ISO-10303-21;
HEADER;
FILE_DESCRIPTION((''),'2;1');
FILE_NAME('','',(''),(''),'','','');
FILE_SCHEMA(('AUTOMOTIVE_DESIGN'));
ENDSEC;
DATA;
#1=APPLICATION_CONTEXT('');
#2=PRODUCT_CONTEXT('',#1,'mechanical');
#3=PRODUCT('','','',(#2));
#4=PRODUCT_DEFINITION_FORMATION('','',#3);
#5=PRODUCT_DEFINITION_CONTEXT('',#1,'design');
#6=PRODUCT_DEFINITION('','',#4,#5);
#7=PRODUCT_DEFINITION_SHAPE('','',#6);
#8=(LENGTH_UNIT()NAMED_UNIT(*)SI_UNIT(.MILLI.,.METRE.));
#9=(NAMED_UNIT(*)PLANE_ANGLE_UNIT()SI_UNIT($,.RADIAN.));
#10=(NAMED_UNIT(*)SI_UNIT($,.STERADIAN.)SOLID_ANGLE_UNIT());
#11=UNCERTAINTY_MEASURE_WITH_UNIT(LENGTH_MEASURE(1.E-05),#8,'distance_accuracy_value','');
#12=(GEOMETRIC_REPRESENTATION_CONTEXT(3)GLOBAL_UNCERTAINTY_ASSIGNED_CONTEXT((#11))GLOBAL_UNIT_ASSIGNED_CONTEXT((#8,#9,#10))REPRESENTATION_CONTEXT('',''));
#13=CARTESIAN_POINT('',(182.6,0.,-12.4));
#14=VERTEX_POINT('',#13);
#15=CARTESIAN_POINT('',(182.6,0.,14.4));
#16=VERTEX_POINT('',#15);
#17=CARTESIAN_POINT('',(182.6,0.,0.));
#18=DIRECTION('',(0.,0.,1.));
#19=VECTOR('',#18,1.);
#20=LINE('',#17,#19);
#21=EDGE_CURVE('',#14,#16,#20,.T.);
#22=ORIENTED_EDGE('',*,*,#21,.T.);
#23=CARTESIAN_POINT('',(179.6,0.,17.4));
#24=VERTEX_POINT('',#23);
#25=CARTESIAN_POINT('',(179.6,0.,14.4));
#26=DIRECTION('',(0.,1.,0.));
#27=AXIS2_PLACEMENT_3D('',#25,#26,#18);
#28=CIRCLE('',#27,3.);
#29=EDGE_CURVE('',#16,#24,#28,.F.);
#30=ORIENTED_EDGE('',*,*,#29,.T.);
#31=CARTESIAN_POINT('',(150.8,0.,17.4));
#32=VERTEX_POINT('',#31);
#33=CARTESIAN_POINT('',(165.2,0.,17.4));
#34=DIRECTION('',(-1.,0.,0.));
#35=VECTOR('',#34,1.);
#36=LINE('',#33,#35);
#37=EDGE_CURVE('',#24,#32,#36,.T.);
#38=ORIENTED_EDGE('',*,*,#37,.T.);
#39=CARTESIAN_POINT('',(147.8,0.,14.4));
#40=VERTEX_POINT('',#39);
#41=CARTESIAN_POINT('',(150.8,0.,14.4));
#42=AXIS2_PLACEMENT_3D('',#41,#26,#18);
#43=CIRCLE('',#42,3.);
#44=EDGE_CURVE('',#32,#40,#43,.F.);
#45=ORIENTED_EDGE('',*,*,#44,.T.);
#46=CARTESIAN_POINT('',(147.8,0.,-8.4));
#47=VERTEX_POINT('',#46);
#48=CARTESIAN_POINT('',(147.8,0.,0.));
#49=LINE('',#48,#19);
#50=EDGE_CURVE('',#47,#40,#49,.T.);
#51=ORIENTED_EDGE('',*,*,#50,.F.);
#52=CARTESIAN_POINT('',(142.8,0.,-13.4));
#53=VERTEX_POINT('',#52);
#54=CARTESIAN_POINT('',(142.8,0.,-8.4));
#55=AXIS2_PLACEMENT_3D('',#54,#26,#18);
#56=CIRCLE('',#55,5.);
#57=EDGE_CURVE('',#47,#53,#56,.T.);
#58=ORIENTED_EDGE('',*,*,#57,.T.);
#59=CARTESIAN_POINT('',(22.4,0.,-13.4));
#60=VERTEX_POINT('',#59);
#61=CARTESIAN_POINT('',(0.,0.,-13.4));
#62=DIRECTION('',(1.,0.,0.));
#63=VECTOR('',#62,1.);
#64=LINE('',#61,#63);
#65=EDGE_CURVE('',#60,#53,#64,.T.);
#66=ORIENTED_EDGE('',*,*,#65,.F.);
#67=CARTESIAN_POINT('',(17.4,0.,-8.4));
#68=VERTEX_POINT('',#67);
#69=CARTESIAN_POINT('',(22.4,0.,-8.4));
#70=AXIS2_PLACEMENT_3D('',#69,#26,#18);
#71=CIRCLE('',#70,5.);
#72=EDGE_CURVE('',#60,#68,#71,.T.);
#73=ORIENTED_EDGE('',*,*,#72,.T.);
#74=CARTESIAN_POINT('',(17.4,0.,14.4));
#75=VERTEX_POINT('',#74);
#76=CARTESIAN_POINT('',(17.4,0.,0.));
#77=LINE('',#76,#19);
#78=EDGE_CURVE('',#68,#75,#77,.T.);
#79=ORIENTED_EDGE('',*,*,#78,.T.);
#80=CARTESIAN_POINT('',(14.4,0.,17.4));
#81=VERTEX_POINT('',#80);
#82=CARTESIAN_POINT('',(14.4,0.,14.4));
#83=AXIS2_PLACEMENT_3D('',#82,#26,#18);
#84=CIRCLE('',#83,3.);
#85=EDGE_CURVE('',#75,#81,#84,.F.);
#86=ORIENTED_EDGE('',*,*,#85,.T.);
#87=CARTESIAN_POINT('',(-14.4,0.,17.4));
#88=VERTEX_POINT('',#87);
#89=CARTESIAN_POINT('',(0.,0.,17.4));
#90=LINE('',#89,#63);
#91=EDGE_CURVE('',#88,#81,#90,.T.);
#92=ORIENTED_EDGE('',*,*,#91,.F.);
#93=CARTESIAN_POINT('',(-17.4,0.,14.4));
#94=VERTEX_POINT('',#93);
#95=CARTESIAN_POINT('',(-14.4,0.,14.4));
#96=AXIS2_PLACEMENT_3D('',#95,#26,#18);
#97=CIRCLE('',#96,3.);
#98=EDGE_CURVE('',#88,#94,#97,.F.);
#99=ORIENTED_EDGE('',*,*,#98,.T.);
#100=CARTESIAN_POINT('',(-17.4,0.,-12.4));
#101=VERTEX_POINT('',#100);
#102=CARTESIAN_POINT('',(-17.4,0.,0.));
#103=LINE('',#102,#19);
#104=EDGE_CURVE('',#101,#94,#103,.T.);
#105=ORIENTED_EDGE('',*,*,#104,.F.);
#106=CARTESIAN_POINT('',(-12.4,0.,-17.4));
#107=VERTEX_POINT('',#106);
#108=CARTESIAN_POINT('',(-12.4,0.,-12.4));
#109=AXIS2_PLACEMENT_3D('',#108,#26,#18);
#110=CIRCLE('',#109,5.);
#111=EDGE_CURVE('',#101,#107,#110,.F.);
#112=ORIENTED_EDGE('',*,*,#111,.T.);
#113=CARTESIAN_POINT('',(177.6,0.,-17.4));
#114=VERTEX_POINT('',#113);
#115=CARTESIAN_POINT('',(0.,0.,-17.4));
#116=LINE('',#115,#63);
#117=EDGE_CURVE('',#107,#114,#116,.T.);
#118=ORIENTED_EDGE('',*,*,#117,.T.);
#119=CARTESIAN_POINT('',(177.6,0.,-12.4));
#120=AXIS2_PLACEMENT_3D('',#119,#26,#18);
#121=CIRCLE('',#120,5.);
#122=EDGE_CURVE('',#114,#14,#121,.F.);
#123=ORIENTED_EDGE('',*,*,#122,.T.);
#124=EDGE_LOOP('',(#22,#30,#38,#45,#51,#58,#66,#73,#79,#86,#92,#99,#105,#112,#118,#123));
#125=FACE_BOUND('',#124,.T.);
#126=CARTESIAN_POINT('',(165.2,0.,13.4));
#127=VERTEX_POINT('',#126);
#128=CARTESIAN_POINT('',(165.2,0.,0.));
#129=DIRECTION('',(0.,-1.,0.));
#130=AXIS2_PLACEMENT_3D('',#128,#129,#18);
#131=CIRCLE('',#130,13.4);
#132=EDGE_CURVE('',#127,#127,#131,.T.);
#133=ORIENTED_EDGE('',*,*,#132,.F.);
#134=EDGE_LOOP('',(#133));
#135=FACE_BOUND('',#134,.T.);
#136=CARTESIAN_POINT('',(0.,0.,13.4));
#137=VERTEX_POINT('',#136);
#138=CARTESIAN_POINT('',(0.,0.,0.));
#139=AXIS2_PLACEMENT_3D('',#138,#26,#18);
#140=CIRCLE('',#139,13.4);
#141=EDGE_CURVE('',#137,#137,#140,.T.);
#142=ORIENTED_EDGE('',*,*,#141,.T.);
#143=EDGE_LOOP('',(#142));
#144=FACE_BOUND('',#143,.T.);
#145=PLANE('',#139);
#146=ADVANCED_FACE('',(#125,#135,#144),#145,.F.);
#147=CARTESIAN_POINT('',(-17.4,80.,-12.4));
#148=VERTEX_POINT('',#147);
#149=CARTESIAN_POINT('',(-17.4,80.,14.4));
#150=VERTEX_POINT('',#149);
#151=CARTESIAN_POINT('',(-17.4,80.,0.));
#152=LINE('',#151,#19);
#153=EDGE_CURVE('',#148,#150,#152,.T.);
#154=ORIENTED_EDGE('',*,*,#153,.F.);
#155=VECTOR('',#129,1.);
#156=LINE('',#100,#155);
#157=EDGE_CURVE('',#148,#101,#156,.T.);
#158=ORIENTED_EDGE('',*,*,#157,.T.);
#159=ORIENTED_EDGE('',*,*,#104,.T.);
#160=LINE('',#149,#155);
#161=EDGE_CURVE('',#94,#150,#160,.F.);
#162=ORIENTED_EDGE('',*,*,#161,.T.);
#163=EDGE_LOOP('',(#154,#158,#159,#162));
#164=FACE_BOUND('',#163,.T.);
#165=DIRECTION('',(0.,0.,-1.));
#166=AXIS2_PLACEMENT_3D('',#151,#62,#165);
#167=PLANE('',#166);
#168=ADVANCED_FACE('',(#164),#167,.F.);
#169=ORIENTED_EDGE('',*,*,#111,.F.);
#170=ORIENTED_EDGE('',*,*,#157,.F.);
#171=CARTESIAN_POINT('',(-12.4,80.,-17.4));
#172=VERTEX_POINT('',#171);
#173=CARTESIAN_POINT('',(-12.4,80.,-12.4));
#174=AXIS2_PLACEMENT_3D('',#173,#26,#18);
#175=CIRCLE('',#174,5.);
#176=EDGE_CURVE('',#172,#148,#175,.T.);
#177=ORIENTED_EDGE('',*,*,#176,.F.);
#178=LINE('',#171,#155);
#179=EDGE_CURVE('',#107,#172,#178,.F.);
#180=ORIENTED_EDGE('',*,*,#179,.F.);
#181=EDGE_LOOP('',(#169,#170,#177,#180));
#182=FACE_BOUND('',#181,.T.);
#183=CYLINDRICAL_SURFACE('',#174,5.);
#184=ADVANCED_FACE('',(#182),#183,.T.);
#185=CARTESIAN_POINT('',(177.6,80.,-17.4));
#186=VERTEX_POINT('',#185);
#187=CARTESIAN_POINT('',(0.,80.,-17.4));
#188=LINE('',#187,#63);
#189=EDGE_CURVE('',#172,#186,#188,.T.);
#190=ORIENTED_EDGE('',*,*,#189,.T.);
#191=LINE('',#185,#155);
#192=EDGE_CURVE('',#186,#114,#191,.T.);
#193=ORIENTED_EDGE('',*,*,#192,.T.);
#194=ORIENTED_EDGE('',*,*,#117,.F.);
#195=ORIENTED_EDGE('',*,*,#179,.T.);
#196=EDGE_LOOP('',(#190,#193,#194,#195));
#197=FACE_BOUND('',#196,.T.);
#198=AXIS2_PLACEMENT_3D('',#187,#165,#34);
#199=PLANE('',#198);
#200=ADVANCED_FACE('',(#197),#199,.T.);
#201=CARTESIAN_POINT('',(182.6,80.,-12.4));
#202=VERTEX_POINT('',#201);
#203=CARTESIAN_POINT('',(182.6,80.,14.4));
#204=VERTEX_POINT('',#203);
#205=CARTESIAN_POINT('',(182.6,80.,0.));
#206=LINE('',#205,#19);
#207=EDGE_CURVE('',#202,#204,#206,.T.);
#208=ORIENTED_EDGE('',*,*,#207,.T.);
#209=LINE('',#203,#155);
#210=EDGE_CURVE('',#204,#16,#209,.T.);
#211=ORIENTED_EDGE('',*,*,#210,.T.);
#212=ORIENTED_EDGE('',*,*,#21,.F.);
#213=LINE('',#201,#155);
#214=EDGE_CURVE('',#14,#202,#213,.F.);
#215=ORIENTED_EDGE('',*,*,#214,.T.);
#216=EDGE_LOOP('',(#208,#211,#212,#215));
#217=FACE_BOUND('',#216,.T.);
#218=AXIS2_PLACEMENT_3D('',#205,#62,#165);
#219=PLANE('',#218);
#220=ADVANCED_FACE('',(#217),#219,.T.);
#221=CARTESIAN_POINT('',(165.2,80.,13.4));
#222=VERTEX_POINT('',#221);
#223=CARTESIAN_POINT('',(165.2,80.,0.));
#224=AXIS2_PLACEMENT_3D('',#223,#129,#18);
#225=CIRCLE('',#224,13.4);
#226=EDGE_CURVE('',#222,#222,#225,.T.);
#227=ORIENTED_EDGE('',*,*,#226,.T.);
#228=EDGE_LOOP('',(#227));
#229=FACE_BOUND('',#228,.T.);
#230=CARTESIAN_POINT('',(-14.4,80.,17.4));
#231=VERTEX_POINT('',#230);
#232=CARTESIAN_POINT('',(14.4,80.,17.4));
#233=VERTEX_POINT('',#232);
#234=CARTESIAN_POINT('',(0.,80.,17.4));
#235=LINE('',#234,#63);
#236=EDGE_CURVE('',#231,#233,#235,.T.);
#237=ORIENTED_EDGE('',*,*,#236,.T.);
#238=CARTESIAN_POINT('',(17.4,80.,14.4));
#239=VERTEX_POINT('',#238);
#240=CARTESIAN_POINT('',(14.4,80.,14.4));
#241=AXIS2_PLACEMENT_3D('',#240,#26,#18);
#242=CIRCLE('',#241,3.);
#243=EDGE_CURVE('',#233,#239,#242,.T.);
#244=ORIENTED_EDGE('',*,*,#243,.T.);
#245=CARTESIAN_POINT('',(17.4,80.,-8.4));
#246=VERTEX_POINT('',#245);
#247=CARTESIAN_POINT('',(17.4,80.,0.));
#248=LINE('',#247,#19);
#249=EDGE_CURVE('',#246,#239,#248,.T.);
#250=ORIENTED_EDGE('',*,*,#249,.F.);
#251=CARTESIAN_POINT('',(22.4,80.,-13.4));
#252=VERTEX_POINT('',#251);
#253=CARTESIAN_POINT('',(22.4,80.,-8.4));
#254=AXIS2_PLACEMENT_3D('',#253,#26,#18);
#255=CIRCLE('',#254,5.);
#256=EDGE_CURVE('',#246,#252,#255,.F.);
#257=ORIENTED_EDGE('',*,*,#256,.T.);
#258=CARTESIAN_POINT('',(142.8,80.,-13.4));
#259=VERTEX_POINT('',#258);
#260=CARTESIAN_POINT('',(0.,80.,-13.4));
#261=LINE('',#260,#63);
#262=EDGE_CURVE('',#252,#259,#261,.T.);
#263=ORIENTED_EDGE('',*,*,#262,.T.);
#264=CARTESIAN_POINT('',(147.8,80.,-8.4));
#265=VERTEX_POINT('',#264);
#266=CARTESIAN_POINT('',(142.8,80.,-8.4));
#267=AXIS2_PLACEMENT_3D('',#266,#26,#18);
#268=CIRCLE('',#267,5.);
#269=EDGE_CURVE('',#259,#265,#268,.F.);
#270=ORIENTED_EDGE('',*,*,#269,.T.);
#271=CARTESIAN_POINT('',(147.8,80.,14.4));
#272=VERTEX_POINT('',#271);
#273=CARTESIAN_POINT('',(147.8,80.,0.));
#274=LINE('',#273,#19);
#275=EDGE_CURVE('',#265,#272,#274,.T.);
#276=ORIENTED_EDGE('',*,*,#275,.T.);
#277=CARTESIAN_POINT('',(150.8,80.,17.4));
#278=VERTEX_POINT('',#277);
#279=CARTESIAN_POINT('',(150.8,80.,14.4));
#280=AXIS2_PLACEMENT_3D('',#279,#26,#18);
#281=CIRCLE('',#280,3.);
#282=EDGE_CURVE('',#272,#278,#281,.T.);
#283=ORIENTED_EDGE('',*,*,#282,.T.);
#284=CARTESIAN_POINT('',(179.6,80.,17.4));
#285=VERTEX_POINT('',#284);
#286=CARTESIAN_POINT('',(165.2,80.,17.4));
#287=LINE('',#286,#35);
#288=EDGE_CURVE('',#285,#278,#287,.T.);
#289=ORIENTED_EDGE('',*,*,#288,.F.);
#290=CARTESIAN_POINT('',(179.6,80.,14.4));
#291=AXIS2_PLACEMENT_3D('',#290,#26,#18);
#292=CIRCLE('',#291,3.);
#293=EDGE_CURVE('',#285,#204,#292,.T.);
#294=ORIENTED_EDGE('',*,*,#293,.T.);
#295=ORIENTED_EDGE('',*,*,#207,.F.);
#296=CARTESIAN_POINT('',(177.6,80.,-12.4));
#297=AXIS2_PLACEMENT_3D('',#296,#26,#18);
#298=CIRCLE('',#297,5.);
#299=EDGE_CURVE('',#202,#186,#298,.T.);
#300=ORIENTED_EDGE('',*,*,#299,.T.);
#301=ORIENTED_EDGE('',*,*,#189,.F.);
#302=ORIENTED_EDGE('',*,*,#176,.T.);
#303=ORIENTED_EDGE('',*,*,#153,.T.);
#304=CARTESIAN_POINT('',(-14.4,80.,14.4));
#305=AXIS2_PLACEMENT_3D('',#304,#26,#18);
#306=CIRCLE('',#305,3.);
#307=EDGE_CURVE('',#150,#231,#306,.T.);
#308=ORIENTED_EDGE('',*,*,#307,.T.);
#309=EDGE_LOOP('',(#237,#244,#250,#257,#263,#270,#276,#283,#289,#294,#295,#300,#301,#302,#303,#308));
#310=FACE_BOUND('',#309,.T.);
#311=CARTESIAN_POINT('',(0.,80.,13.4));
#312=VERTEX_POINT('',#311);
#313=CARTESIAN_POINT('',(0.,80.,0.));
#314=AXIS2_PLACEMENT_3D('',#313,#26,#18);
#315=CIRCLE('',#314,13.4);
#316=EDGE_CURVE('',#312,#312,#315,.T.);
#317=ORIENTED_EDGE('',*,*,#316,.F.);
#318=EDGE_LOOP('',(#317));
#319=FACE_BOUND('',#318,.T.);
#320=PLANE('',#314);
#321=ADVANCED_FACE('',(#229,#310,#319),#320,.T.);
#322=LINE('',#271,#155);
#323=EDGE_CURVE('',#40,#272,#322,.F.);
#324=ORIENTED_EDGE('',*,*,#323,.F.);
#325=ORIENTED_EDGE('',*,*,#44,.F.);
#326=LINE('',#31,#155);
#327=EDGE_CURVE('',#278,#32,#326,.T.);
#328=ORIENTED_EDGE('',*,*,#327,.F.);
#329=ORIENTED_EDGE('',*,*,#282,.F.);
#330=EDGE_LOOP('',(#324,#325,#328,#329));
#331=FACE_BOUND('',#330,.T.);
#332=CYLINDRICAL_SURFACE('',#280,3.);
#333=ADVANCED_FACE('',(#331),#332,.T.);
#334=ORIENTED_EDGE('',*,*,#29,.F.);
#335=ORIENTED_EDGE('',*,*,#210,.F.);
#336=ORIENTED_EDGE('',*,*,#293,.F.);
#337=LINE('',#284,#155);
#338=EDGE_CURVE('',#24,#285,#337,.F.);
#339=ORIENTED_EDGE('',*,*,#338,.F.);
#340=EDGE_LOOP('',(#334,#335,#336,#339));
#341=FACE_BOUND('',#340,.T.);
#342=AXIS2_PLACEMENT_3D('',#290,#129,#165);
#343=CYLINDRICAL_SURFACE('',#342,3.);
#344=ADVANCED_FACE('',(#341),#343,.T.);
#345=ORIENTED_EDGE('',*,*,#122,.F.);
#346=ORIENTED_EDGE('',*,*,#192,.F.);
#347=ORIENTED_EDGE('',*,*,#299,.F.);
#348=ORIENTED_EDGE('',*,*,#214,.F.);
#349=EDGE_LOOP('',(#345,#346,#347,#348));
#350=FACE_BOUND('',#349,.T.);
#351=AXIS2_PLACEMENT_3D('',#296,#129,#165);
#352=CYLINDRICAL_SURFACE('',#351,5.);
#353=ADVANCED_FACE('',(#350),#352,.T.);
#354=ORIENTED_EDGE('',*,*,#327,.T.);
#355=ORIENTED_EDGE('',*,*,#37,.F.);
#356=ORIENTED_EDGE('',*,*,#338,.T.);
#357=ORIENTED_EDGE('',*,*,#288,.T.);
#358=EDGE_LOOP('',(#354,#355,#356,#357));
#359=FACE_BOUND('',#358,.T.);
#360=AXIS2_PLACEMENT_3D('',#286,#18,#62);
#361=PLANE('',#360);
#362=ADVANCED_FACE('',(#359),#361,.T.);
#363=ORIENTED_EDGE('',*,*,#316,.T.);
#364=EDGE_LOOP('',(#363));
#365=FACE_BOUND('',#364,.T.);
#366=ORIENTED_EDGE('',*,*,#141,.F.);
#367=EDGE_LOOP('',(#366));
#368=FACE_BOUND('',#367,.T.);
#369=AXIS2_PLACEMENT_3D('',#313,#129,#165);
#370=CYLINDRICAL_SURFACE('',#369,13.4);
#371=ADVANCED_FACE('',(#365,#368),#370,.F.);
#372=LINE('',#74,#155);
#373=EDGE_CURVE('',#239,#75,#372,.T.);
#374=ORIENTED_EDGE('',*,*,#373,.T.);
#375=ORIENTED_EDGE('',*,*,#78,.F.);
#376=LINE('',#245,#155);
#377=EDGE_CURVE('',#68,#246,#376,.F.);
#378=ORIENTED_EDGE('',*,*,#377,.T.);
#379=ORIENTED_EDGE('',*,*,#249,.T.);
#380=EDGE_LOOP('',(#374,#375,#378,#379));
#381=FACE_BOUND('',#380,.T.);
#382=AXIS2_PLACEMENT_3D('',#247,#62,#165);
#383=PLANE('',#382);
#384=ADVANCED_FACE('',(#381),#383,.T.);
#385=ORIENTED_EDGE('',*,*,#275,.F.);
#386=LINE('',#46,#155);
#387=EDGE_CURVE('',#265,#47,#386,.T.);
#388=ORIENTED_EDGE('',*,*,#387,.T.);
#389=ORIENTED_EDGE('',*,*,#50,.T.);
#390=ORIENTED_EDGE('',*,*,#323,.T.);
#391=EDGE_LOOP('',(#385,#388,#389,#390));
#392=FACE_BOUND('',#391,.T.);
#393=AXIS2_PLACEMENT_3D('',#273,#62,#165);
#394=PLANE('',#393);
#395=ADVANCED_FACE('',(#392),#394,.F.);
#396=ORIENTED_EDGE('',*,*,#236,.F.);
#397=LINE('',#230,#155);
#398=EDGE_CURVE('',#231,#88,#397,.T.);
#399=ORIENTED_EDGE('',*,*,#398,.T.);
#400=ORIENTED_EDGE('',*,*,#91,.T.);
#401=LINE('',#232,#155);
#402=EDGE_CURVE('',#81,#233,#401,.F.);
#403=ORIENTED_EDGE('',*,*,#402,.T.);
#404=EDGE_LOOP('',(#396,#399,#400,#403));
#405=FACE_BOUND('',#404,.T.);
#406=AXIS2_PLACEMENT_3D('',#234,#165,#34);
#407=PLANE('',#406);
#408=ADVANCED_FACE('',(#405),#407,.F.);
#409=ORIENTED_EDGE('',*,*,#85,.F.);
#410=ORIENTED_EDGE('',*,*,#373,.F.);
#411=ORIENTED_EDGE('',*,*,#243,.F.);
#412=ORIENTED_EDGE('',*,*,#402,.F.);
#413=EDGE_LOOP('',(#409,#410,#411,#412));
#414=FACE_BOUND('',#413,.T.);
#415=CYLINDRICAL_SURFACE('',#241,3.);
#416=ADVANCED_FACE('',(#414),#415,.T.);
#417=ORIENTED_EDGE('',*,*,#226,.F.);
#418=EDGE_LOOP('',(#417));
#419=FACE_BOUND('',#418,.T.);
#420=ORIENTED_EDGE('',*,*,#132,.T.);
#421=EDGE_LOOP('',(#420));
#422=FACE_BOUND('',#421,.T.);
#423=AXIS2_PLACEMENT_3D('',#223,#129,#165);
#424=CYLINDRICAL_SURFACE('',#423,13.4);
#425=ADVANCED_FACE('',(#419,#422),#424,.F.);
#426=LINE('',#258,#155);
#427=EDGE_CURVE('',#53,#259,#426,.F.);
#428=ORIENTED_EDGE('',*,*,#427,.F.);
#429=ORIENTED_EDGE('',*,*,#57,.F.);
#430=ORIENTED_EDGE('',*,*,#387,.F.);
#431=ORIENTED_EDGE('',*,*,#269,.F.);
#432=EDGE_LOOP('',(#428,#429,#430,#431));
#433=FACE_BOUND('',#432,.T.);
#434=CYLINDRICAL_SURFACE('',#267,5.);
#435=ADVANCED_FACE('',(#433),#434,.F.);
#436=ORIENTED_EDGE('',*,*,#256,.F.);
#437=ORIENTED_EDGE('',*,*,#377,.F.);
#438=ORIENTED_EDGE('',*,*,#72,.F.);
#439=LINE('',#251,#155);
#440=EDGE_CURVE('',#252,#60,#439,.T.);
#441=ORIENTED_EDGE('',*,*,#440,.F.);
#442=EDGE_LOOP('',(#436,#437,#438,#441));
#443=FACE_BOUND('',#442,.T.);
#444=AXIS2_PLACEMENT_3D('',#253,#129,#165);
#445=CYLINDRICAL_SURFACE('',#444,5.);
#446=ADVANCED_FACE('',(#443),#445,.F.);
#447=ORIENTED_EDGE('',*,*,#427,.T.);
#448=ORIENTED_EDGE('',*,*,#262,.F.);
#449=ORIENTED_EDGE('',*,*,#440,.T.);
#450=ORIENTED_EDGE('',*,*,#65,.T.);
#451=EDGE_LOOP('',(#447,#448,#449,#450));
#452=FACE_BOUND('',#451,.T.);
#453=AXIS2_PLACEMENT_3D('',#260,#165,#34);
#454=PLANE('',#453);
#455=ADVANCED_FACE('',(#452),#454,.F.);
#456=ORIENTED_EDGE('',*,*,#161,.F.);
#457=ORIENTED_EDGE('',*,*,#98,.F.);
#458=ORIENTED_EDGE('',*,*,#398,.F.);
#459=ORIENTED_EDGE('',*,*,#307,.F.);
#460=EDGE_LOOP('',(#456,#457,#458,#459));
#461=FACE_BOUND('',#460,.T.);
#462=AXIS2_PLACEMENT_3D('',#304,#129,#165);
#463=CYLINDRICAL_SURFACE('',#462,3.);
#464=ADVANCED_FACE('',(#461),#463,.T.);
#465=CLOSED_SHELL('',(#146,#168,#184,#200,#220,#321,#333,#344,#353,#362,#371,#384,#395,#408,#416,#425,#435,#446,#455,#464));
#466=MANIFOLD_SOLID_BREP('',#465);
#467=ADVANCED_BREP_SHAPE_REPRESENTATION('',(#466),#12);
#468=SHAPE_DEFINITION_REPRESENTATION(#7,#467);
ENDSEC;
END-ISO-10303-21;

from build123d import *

# Parameters (mm, degrees)
SKETCH1_R           = 13.4
BOSS_EXTRUDE1_DEPTH = 80
FILLET1_R           = 5
FILLET2_R           = 3


with BuildPart() as part:
    # Sketch1 → Boss-Extrude1 (new body)
    with BuildSketch(Plane(origin=(0, 0, 0), x_dir=(1, 0, 0), z_dir=(0, 1, 0))):
        Polygon((-17.4, 17.4), (17.4, 17.4), (82.6, 17.4), (82.6, 13.4), (17.4, 13.4), (17.4, -17.4), (-17.4, -17.4), align=None)
        with Locations(Location((0, 0, 0), (0, 0, 270))):
            Circle(SKETCH1_R, mode=Mode.SUBTRACT)
    boss_extrude1 = extrude(amount=BOSS_EXTRUDE1_DEPTH)

    # Mirror3: Boss-Extrude1 across plane
    add(boss_extrude1.mirror(Plane(origin=(82.6, 80, 0), x_dir=(0, 0, 1), z_dir=(1, 0, 0))))

    # Fillet1
    fillet1_edges = [part.edges().sort_by_distance(p)[0] for p in [
        (17.4, 40, -13.4),
        (-17.4, 40, -17.4),
        (147.8, 40, -13.4),
        (182.6, 40, -17.4),
    ]]
    fillet(fillet1_edges, radius=FILLET1_R)

    # Fillet2
    fillet2_edges = [part.edges().sort_by_distance(p)[0] for p in [
        (17.4, 40, 17.4),
        (-17.4, 40, 17.4),
        (147.8, 40, 17.4),
        (182.6, 40, 17.4),
    ]]
    fillet(fillet2_edges, radius=FILLET2_R)


solid = part.part
